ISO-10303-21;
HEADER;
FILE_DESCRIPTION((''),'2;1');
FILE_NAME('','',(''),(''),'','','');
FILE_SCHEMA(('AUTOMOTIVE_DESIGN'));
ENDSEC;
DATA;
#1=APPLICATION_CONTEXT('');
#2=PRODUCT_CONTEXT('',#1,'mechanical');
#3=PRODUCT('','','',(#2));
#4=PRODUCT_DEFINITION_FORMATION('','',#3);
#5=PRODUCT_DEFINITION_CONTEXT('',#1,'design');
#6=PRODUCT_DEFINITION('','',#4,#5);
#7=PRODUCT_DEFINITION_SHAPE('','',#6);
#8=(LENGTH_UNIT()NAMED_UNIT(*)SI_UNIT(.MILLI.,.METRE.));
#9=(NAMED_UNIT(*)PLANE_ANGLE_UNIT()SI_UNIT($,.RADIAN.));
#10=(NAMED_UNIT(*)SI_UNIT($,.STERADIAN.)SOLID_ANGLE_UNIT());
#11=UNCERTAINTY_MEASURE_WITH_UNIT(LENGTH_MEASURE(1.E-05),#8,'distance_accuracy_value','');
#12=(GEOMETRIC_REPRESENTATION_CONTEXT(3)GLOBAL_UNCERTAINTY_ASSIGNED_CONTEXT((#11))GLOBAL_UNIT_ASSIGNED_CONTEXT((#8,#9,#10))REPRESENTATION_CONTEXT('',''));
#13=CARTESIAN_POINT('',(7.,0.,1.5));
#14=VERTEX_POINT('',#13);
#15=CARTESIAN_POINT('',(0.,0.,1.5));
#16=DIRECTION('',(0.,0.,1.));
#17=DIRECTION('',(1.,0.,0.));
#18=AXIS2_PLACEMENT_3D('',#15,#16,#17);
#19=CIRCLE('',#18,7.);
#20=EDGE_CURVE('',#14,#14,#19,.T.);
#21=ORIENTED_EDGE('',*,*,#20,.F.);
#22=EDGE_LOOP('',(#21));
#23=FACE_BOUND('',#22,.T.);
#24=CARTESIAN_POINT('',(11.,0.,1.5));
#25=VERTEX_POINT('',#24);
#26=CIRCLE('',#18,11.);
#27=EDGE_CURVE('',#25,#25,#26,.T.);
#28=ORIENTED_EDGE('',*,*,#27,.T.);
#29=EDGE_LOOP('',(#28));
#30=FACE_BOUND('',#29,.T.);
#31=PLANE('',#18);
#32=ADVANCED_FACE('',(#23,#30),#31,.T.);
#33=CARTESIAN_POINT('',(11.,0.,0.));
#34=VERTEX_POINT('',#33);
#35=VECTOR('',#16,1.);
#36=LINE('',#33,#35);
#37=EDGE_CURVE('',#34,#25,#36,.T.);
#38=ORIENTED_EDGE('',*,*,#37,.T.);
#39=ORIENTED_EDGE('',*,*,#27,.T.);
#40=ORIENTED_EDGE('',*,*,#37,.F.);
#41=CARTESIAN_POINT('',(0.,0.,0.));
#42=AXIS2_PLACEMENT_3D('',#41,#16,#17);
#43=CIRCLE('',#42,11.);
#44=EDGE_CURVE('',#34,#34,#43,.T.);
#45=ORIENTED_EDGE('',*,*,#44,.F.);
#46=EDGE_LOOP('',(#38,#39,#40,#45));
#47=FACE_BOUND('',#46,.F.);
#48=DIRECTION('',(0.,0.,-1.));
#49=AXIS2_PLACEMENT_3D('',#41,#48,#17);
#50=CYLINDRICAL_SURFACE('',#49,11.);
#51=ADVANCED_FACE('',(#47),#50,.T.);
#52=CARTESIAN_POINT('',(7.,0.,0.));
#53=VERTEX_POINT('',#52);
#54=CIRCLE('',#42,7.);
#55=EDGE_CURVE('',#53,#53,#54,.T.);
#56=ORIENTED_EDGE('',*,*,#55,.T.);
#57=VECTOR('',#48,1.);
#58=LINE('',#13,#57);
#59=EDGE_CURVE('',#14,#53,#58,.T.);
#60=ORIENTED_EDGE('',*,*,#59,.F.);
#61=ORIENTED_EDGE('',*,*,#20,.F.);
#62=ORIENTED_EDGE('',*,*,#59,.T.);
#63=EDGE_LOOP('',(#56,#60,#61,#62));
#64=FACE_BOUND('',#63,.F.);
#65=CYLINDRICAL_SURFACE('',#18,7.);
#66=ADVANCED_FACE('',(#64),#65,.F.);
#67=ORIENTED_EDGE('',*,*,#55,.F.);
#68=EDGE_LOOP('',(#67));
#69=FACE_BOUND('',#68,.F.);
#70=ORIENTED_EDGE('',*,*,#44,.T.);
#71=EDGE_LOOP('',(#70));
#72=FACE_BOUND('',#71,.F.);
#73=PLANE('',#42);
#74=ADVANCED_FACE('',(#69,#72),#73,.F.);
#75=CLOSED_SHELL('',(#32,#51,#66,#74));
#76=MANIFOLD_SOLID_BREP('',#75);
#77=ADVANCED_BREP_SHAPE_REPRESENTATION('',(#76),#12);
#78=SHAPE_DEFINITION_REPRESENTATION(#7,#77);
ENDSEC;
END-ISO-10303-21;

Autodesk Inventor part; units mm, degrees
ref_plane "YZ Plane" through (0, 0, 0) normal (1, 0, 0) x (0, 1, 0)
ref_plane "XZ Plane" through (0, 0, 0) normal (0, 1, 0) x (-1, 0, 0)
ref_plane "XY Plane" through (0, 0, 0) normal (0, 0, 1) x (1, 0, 0)
sketch "Sketch1" plane through (0, 0, 0) normal (0, 0, 1) x (1, 0, 0)
  circle A0 centre (0, 0) radius 4.5
  circle A1 centre (0, 0) radius 11
  dimension "d0" = 9
  dimension "d1" = 22
extrude "Extrusion1" add sketch "Sketch1" along normal blind 1.5
sketch "Sketch2" plane through (0, 0, 1.5) normal (0, 0, 1) x (1, 0, 0)
  circle A0 centre (0, 0) radius 7
  dimension "d4" = 14
extrude "Extrusion2" cut sketch "Sketch2" against normal up to surface (1.5 mm away)
properties part number "dystans 22 ... 1,5mm"
